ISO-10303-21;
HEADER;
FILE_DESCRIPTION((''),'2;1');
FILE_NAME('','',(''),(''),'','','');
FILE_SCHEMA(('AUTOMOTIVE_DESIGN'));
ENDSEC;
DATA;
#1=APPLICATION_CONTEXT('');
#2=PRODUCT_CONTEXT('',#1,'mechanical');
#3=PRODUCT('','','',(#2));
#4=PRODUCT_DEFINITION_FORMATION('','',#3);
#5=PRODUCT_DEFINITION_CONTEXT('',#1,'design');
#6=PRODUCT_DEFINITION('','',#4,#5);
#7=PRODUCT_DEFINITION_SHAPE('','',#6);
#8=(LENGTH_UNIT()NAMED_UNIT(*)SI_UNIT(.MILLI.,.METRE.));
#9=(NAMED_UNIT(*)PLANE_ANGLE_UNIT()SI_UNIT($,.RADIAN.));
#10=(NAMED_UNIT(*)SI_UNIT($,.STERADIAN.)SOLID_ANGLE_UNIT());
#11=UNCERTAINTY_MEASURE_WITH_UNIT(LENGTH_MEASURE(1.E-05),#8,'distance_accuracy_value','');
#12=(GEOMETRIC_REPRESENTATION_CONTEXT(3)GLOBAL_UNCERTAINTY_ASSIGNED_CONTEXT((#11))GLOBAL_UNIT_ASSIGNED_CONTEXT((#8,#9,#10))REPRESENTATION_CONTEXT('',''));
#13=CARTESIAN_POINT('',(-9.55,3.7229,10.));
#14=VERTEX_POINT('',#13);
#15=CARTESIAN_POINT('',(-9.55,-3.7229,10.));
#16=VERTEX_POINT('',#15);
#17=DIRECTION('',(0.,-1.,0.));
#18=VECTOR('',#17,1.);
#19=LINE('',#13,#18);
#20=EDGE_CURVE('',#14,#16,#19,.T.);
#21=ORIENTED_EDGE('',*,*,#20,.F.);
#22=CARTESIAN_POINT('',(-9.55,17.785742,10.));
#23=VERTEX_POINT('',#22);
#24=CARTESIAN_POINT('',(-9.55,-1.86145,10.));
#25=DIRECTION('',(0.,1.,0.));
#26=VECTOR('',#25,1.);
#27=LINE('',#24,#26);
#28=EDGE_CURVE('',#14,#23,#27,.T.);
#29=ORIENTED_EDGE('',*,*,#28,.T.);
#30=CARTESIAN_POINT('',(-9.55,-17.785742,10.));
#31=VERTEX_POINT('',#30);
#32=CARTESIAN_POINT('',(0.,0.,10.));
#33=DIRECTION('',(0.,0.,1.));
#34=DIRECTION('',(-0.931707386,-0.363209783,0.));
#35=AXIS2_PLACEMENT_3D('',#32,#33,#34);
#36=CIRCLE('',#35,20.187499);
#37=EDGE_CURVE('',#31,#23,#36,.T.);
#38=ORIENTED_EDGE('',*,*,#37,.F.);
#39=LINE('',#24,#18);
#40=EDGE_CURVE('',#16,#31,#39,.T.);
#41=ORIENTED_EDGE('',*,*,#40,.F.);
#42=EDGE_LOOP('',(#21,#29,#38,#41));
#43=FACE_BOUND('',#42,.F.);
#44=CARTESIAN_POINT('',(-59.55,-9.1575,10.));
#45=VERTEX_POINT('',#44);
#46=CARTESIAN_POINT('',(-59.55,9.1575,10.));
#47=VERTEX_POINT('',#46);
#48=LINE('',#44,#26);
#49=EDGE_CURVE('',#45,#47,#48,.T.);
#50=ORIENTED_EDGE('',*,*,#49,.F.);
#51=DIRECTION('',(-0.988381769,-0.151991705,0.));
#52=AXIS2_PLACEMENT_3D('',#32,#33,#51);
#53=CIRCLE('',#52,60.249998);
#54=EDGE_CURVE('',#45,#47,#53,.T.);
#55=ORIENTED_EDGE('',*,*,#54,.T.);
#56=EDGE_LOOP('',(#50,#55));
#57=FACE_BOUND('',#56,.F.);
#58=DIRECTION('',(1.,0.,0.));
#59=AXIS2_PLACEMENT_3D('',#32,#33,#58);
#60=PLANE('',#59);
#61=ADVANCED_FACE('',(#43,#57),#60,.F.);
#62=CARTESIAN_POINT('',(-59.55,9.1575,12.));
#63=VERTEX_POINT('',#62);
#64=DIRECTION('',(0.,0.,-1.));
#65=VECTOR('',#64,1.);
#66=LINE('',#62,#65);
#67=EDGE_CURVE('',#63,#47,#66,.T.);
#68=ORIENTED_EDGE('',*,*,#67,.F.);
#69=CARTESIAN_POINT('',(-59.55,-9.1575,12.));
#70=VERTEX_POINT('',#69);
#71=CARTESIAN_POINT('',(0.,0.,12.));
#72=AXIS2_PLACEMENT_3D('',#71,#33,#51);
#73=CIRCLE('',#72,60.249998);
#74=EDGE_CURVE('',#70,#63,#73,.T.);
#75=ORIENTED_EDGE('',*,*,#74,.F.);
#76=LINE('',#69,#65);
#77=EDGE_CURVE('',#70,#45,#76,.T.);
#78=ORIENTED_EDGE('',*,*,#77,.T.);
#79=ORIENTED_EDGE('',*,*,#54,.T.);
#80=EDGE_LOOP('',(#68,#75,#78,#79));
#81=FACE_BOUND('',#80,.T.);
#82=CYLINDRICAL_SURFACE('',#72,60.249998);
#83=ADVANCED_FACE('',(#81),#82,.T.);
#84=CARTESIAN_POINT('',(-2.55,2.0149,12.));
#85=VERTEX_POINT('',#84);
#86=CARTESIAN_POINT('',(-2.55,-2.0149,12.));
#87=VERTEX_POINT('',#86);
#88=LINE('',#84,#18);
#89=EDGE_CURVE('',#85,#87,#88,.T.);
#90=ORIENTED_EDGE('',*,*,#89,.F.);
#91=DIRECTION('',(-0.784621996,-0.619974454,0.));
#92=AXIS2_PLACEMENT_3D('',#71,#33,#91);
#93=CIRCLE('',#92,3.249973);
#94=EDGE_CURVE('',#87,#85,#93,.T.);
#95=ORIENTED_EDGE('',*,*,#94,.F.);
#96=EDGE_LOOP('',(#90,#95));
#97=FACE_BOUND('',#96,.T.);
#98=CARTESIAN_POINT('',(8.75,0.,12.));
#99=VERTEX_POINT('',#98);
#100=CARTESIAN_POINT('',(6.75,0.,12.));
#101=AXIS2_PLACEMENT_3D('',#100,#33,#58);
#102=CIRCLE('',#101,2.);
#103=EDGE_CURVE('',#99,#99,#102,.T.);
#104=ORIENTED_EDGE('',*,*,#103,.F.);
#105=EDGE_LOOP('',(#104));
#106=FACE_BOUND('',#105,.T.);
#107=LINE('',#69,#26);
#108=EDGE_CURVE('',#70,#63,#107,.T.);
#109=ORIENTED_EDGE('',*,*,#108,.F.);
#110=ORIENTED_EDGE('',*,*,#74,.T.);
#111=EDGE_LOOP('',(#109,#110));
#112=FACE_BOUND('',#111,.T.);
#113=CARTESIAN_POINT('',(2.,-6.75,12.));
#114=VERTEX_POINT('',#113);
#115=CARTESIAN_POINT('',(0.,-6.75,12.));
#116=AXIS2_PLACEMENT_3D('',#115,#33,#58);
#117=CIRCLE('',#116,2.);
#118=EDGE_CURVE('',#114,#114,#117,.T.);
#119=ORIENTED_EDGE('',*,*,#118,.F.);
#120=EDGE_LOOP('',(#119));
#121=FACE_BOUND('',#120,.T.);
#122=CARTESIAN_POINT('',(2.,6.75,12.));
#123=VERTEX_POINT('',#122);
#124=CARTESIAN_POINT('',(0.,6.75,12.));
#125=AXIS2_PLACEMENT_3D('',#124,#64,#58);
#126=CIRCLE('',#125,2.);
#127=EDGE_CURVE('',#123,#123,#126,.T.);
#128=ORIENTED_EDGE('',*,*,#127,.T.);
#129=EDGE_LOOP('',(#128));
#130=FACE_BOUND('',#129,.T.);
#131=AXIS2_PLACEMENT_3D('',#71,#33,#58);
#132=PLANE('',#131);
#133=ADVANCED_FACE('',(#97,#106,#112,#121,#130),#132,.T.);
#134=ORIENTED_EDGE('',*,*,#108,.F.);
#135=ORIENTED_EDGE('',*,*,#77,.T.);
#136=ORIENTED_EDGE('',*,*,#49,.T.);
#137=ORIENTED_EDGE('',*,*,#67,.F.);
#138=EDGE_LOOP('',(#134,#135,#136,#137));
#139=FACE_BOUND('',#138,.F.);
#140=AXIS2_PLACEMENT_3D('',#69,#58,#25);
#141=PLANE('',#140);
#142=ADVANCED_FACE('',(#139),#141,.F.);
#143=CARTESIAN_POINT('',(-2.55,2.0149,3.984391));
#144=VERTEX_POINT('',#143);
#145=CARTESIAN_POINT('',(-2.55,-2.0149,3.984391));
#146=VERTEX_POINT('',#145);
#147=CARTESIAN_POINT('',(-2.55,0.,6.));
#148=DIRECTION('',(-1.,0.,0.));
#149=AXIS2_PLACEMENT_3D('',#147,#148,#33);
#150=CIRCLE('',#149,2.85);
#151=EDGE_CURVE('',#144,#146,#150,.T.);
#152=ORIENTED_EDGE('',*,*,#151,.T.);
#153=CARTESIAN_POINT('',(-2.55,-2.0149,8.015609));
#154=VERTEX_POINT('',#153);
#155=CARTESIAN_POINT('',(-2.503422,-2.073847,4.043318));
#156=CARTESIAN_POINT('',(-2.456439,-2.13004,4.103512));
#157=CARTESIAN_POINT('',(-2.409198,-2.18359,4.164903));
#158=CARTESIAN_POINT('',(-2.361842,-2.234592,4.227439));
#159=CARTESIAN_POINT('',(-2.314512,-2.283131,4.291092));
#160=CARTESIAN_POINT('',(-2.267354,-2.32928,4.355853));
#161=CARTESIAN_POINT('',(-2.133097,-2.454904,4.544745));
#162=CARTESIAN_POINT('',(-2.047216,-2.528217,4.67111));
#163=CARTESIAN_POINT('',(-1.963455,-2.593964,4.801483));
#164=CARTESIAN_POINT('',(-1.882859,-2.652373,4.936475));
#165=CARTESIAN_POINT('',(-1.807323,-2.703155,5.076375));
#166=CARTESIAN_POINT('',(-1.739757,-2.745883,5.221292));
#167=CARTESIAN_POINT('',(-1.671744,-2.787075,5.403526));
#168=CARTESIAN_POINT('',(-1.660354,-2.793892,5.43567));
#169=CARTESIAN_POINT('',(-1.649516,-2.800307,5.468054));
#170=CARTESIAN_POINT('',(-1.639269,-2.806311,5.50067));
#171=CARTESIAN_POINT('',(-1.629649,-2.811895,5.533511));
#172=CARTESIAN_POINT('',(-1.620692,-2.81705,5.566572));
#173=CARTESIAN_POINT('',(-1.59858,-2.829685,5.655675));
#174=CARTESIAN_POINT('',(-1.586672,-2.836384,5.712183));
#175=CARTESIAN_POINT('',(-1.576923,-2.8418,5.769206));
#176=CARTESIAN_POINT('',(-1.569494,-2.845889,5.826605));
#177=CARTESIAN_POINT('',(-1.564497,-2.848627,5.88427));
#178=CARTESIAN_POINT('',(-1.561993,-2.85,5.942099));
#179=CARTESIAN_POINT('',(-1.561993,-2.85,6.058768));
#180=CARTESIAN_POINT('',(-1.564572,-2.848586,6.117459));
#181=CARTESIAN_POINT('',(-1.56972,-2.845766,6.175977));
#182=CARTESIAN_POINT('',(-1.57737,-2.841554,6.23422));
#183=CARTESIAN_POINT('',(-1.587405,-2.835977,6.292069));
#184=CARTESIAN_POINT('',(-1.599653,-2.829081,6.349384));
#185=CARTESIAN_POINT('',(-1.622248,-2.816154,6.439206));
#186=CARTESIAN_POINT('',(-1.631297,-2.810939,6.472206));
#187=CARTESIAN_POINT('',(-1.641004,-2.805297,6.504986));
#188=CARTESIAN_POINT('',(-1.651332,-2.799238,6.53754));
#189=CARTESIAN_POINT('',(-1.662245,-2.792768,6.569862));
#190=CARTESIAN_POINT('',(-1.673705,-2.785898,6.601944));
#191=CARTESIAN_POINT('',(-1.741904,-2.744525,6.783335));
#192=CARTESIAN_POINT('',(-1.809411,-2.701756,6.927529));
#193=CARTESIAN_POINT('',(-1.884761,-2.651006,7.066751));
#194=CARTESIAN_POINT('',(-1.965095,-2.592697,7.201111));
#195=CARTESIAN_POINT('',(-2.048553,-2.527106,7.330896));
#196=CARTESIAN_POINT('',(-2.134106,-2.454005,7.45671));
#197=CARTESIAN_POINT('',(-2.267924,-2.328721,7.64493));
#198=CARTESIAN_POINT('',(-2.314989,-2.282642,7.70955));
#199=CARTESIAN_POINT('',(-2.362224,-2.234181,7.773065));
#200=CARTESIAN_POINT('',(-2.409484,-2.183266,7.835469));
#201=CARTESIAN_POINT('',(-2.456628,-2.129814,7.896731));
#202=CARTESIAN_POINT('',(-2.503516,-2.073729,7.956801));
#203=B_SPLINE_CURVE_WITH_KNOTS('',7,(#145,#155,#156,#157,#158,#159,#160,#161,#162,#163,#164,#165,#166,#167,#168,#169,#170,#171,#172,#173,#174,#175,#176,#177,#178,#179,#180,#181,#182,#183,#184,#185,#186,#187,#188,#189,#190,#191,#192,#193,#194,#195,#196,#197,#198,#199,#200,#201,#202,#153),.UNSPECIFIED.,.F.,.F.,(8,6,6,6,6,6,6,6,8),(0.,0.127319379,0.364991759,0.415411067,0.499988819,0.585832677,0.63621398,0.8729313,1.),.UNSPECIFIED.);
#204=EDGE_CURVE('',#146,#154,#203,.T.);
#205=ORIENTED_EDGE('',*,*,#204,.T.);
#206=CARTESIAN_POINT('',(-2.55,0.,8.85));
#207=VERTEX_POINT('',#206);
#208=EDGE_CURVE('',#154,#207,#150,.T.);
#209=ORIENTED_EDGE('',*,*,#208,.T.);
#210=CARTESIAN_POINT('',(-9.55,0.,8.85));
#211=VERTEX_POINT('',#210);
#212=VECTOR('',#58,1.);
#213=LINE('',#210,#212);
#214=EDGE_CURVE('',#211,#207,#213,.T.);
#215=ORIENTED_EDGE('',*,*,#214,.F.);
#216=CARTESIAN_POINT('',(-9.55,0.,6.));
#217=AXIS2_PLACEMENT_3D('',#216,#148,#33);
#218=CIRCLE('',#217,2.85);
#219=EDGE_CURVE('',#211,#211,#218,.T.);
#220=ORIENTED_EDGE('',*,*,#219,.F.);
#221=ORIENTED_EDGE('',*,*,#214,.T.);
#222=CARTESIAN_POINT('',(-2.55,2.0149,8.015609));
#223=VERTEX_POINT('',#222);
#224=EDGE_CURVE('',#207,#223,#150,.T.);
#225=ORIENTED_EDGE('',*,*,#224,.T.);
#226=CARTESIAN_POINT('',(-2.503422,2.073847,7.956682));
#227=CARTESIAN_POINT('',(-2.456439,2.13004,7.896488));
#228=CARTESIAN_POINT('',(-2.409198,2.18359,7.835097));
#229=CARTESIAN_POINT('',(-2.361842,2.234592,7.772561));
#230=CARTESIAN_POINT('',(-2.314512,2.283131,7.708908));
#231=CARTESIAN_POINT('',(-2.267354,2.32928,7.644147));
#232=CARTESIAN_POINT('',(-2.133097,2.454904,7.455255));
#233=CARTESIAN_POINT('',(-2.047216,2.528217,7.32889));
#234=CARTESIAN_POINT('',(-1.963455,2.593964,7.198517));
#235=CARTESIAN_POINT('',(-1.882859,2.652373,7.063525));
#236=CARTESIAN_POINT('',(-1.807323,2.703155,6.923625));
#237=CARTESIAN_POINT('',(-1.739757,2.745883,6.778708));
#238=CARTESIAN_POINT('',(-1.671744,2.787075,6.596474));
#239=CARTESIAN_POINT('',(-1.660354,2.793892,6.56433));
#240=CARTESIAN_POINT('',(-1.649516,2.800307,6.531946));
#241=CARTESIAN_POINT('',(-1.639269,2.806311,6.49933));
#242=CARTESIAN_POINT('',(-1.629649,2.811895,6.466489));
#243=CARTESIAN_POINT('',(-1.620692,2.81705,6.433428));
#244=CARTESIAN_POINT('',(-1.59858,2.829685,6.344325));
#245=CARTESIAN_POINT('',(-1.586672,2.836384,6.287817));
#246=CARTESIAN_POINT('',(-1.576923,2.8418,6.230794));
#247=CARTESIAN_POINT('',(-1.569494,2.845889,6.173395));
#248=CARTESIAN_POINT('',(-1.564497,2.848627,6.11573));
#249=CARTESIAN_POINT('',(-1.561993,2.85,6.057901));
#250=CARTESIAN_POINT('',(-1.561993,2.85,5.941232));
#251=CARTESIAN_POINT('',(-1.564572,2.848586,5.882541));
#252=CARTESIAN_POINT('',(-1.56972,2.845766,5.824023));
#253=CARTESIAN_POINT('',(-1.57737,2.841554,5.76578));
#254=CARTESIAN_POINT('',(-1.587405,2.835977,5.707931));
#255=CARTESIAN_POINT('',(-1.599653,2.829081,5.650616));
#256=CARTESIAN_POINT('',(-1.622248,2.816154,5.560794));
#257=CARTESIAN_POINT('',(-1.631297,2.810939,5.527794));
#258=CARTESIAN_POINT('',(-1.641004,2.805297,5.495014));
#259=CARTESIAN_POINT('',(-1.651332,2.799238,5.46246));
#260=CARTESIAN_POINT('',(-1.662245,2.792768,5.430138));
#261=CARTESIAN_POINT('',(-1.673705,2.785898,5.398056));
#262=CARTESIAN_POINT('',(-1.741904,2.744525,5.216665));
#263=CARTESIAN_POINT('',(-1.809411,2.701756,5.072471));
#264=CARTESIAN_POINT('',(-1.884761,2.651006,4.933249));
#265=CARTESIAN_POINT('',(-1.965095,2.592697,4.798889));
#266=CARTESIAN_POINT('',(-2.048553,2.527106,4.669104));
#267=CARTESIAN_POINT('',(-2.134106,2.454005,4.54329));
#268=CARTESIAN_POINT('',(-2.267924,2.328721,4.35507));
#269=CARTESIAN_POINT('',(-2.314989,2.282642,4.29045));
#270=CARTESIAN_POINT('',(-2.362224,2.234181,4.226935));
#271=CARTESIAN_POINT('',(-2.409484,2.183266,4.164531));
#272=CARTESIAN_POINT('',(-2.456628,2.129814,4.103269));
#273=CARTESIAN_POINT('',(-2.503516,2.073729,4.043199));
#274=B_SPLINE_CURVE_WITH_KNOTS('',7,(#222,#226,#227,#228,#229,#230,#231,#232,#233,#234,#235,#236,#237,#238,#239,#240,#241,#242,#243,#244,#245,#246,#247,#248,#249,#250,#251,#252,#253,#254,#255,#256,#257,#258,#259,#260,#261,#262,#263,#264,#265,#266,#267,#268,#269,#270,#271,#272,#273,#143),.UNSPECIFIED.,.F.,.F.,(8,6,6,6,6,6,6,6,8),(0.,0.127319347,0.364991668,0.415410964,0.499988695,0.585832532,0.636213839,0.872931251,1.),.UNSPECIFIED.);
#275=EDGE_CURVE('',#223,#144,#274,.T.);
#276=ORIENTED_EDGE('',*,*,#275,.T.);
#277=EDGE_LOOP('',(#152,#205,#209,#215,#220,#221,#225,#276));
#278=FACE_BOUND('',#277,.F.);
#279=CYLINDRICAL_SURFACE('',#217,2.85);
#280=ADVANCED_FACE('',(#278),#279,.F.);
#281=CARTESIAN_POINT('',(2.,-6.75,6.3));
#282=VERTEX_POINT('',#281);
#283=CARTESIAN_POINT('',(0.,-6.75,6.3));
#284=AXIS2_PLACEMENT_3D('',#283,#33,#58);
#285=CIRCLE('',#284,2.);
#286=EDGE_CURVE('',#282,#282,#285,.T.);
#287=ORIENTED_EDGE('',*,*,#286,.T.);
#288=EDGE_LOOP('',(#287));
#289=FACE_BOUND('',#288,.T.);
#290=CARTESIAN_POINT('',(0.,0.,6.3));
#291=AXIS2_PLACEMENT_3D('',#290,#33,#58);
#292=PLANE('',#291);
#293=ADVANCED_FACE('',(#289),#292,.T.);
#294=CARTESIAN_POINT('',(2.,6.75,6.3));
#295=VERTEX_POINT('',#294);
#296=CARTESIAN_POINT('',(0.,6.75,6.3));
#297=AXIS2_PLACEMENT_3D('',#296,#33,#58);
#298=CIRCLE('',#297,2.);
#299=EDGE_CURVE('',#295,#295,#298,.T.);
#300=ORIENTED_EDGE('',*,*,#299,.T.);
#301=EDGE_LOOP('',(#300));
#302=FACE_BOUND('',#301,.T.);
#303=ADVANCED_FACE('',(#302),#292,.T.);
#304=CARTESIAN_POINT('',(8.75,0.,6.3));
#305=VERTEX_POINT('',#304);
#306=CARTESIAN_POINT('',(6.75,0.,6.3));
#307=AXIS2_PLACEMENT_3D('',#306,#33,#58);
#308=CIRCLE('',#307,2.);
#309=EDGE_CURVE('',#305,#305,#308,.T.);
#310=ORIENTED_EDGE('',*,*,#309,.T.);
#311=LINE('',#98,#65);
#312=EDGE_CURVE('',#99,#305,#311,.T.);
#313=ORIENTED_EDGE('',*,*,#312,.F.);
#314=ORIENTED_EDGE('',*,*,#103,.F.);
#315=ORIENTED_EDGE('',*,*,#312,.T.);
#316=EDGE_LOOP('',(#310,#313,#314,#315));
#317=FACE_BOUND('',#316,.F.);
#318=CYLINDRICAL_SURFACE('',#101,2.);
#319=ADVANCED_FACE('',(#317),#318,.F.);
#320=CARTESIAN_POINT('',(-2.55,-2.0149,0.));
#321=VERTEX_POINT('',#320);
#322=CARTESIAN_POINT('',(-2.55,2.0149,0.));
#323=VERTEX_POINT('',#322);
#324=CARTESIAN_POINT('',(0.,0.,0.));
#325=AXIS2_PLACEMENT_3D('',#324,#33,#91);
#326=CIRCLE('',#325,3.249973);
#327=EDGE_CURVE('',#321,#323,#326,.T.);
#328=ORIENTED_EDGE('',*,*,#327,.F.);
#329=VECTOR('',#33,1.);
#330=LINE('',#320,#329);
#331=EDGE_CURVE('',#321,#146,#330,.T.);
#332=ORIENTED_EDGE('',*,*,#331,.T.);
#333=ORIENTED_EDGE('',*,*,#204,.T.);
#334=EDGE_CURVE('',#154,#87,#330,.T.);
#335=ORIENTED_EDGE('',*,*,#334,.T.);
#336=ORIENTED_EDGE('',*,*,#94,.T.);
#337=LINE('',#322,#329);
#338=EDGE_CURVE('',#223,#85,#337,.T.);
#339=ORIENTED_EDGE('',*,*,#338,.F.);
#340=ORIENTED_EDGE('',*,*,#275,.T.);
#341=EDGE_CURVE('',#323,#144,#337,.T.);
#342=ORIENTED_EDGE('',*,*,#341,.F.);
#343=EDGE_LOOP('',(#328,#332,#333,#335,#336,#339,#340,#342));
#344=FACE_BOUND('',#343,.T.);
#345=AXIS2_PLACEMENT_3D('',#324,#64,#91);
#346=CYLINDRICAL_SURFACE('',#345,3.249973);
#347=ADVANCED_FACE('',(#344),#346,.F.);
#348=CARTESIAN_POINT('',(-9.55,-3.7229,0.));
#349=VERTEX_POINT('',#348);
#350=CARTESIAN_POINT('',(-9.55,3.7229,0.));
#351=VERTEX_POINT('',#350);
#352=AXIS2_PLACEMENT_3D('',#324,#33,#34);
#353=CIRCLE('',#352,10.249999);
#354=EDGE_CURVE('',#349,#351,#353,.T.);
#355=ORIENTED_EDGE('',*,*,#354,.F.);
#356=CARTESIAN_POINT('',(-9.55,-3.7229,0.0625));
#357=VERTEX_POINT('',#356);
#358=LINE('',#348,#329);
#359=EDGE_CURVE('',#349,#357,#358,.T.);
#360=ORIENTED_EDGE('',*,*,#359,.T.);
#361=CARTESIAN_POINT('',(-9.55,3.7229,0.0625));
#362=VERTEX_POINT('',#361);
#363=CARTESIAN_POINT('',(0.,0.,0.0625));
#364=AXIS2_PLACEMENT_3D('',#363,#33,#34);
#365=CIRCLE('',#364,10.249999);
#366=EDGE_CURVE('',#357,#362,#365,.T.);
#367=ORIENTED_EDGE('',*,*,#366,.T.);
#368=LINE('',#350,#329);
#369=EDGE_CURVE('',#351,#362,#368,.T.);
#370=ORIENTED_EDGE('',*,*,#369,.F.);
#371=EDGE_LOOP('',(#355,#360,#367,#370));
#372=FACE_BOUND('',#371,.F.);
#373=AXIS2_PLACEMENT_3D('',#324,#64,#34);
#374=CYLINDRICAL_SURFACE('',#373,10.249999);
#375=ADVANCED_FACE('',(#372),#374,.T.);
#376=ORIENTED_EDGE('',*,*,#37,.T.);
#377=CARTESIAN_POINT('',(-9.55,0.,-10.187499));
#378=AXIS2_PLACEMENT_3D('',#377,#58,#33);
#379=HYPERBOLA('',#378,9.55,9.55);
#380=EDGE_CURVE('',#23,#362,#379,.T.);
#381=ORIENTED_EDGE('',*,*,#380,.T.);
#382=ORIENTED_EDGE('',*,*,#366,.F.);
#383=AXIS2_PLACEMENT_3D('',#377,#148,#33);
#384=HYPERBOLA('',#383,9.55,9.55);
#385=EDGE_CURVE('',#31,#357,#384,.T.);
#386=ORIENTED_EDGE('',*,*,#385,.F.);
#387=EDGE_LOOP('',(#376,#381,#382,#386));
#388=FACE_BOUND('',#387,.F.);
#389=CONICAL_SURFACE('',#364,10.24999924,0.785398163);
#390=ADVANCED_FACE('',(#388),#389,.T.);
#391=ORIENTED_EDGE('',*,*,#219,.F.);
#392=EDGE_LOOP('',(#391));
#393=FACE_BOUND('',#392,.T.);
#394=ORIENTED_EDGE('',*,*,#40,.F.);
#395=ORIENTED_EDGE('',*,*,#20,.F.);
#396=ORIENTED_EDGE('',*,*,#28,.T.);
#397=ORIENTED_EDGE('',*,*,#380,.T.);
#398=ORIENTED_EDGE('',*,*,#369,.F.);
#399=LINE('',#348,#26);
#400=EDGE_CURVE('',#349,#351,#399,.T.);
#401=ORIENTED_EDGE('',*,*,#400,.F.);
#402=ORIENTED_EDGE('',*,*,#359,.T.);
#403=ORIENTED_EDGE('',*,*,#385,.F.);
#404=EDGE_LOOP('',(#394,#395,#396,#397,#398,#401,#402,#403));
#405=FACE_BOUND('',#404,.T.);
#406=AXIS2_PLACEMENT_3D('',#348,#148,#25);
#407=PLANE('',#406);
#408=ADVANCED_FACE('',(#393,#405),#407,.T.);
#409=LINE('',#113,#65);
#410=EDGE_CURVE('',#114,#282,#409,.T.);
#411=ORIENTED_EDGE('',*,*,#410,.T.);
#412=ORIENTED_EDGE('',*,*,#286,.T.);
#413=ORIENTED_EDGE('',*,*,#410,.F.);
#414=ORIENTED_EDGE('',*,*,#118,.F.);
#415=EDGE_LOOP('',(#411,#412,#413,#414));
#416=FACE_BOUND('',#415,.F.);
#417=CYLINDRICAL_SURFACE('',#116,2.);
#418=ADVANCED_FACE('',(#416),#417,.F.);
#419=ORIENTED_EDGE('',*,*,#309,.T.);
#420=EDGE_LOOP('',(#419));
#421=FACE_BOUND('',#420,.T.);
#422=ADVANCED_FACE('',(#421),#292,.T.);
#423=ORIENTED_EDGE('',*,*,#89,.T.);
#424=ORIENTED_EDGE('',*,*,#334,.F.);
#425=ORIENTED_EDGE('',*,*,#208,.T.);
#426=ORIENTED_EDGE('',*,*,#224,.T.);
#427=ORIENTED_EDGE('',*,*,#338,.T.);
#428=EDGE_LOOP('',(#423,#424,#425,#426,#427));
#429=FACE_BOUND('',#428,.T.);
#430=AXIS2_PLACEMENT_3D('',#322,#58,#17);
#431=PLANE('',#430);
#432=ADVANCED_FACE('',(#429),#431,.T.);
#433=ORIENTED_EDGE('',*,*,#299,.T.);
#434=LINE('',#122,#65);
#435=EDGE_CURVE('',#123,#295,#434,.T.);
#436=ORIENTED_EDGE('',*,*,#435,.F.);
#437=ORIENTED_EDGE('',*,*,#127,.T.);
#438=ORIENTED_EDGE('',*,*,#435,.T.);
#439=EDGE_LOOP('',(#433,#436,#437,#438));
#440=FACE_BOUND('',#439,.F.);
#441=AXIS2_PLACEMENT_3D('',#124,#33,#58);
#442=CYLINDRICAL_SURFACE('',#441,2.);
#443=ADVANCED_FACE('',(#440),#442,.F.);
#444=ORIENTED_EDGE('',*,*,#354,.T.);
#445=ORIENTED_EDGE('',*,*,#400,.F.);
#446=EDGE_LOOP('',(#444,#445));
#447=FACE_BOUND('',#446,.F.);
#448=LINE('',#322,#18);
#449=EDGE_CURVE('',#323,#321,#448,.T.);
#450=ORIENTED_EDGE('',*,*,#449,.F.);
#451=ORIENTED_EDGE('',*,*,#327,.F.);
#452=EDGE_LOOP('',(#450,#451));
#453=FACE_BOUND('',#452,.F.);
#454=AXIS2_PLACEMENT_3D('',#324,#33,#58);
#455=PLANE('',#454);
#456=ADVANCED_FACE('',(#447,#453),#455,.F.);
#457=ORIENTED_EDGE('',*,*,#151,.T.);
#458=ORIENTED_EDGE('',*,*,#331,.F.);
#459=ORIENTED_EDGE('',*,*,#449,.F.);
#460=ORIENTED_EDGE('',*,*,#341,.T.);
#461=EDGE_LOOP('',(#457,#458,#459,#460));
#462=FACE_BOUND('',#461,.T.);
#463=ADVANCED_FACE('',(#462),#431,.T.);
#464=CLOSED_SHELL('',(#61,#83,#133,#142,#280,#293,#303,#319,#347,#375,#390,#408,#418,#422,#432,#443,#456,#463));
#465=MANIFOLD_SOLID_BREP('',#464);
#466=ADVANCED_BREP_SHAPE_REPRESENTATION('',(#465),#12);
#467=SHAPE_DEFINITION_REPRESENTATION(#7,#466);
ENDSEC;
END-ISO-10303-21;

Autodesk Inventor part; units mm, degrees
ref_plane "YZ Plane" through (0, 0, 0) normal (1, 0, 0) x (0, 1, 0)
ref_plane "XZ Plane" through (0, 0, 0) normal (0, 1, 0) x (-1, 0, 0)
ref_plane "XY Plane" through (0, 0, 0) normal (0, 0, 1) x (1, 0, 0)
sketch "Sketch1" plane through (0, 0, 0) normal (0, 0, 1) x (1, 0, 0)
  arc A0 (-2.55, -2.0149) -> (-2.55, 2.0149) centre (0, 0) ccw projected
  line L0 (-2.55, 2.0149) -> (-2.55, -2.0149) projected
  arc A1 (-9.55, -3.7229) -> (-9.55, 3.7229) centre (0, 0) ccw
  line L1 (-9.55, -3.7229) -> (-9.55, 3.7229)
  point P0 (0, 0)
  dimension "d4" = 7
extrude "Extrusion1" add sketch "Sketch1" along normal blind 12
sketch "Sketch2" plane through (-9.55, -3.7229, 0) normal (-1, 0, 0) x (0, 0, 1)
  line L0 (0, 7.4458) -> (0, 0) projected
  line L1 (0, 0) -> (12, 0) projected
  line L2 (12, 7.4458) -> (12, 0) projected
  line L3 (0, 7.4458) -> (12, 7.4458) projected
  circle A0 centre (6, 3.7229) radius 3.25
  circle A1 centre (6, 3.7229) radius 2.85
  point P0 (0, 3.7229)
  dimension "d15" = 5.7
extrude "Extrusion2" cut sketch "Sketch2" against normal blind 10.4125 contours A1
sketch "Sketch3" plane through (0, 0, 12) normal (0, 0, 1) x (1, 0, 0)
  arc A0 (-2.55, -2.0149) -> (-2.55, 2.0149) centre (0, 0) ccw projected
  line L0 (-2.55, 2.0149) -> (-2.55, -2.0149) projected
  line L1 (-9.55, 3.7229) -> (-9.55, -3.7229) projected
  arc A1 (-9.55, -3.7229) -> (-9.55, 3.7229) centre (0, 0) ccw projected
  line L2 (-2.55, -2.0149) -> (-2.55, 2.0149) projected
  arc A2 (-2.55, -2.0149) -> (-2.55, 2.0149) centre (0, 0) ccw projected
  line L3 (0, 10.25) -> (0, 3.25)
  circle A3 centre (0, 6.75) radius 2
  circle A4 centre (6.75, 0) radius 2
  circle A5 centre (0, -6.75) radius 2
  point P0 (0, 0)
  dimension "d7" = 4
  dimension "d10" = 180
extrude "Extrusion3" cut sketch "Sketch3" against normal blind 5.7 contours A3 L3 | L3 A3 | A4 | A5
sketch "Sketch4" plane through (0, 0, 12) normal (0, 0, 1) x (1, 0, 0)
  circle A0 centre (0, -6.75) radius 2 projected
  circle A1 centre (6.75, 0) radius 2 projected
  circle A2 centre (0, 6.75) radius 2 projected
  line L0 (-9.55, 3.7229) -> (-9.55, -3.7229) projected
  arc A3 (-9.55, -3.7229) -> (-9.55, 3.7229) centre (0, 0) ccw projected
  line L1 (-2.55, -2.0149) -> (-2.55, 2.0149) projected
  arc A4 (-2.55, -2.0149) -> (-2.55, 2.0149) centre (0, 0) ccw projected
  line L2 (-59.55, -9.1575) -> (-59.55, 9.1575)
  arc A5 (-59.55, -9.1575) -> (-59.55, 9.1575) centre (0, 0) ccw
  point P0 (0, 0)
  dimension "d16" = 50
extrude "Extrusion4" add sketch "Sketch4" against normal blind 2 contours L2 A5
chamfer "Chamfer1" distance 9.9375 angle 45 1 edges at (10.25, 0, 10)
properties part number "Pladeholder"
